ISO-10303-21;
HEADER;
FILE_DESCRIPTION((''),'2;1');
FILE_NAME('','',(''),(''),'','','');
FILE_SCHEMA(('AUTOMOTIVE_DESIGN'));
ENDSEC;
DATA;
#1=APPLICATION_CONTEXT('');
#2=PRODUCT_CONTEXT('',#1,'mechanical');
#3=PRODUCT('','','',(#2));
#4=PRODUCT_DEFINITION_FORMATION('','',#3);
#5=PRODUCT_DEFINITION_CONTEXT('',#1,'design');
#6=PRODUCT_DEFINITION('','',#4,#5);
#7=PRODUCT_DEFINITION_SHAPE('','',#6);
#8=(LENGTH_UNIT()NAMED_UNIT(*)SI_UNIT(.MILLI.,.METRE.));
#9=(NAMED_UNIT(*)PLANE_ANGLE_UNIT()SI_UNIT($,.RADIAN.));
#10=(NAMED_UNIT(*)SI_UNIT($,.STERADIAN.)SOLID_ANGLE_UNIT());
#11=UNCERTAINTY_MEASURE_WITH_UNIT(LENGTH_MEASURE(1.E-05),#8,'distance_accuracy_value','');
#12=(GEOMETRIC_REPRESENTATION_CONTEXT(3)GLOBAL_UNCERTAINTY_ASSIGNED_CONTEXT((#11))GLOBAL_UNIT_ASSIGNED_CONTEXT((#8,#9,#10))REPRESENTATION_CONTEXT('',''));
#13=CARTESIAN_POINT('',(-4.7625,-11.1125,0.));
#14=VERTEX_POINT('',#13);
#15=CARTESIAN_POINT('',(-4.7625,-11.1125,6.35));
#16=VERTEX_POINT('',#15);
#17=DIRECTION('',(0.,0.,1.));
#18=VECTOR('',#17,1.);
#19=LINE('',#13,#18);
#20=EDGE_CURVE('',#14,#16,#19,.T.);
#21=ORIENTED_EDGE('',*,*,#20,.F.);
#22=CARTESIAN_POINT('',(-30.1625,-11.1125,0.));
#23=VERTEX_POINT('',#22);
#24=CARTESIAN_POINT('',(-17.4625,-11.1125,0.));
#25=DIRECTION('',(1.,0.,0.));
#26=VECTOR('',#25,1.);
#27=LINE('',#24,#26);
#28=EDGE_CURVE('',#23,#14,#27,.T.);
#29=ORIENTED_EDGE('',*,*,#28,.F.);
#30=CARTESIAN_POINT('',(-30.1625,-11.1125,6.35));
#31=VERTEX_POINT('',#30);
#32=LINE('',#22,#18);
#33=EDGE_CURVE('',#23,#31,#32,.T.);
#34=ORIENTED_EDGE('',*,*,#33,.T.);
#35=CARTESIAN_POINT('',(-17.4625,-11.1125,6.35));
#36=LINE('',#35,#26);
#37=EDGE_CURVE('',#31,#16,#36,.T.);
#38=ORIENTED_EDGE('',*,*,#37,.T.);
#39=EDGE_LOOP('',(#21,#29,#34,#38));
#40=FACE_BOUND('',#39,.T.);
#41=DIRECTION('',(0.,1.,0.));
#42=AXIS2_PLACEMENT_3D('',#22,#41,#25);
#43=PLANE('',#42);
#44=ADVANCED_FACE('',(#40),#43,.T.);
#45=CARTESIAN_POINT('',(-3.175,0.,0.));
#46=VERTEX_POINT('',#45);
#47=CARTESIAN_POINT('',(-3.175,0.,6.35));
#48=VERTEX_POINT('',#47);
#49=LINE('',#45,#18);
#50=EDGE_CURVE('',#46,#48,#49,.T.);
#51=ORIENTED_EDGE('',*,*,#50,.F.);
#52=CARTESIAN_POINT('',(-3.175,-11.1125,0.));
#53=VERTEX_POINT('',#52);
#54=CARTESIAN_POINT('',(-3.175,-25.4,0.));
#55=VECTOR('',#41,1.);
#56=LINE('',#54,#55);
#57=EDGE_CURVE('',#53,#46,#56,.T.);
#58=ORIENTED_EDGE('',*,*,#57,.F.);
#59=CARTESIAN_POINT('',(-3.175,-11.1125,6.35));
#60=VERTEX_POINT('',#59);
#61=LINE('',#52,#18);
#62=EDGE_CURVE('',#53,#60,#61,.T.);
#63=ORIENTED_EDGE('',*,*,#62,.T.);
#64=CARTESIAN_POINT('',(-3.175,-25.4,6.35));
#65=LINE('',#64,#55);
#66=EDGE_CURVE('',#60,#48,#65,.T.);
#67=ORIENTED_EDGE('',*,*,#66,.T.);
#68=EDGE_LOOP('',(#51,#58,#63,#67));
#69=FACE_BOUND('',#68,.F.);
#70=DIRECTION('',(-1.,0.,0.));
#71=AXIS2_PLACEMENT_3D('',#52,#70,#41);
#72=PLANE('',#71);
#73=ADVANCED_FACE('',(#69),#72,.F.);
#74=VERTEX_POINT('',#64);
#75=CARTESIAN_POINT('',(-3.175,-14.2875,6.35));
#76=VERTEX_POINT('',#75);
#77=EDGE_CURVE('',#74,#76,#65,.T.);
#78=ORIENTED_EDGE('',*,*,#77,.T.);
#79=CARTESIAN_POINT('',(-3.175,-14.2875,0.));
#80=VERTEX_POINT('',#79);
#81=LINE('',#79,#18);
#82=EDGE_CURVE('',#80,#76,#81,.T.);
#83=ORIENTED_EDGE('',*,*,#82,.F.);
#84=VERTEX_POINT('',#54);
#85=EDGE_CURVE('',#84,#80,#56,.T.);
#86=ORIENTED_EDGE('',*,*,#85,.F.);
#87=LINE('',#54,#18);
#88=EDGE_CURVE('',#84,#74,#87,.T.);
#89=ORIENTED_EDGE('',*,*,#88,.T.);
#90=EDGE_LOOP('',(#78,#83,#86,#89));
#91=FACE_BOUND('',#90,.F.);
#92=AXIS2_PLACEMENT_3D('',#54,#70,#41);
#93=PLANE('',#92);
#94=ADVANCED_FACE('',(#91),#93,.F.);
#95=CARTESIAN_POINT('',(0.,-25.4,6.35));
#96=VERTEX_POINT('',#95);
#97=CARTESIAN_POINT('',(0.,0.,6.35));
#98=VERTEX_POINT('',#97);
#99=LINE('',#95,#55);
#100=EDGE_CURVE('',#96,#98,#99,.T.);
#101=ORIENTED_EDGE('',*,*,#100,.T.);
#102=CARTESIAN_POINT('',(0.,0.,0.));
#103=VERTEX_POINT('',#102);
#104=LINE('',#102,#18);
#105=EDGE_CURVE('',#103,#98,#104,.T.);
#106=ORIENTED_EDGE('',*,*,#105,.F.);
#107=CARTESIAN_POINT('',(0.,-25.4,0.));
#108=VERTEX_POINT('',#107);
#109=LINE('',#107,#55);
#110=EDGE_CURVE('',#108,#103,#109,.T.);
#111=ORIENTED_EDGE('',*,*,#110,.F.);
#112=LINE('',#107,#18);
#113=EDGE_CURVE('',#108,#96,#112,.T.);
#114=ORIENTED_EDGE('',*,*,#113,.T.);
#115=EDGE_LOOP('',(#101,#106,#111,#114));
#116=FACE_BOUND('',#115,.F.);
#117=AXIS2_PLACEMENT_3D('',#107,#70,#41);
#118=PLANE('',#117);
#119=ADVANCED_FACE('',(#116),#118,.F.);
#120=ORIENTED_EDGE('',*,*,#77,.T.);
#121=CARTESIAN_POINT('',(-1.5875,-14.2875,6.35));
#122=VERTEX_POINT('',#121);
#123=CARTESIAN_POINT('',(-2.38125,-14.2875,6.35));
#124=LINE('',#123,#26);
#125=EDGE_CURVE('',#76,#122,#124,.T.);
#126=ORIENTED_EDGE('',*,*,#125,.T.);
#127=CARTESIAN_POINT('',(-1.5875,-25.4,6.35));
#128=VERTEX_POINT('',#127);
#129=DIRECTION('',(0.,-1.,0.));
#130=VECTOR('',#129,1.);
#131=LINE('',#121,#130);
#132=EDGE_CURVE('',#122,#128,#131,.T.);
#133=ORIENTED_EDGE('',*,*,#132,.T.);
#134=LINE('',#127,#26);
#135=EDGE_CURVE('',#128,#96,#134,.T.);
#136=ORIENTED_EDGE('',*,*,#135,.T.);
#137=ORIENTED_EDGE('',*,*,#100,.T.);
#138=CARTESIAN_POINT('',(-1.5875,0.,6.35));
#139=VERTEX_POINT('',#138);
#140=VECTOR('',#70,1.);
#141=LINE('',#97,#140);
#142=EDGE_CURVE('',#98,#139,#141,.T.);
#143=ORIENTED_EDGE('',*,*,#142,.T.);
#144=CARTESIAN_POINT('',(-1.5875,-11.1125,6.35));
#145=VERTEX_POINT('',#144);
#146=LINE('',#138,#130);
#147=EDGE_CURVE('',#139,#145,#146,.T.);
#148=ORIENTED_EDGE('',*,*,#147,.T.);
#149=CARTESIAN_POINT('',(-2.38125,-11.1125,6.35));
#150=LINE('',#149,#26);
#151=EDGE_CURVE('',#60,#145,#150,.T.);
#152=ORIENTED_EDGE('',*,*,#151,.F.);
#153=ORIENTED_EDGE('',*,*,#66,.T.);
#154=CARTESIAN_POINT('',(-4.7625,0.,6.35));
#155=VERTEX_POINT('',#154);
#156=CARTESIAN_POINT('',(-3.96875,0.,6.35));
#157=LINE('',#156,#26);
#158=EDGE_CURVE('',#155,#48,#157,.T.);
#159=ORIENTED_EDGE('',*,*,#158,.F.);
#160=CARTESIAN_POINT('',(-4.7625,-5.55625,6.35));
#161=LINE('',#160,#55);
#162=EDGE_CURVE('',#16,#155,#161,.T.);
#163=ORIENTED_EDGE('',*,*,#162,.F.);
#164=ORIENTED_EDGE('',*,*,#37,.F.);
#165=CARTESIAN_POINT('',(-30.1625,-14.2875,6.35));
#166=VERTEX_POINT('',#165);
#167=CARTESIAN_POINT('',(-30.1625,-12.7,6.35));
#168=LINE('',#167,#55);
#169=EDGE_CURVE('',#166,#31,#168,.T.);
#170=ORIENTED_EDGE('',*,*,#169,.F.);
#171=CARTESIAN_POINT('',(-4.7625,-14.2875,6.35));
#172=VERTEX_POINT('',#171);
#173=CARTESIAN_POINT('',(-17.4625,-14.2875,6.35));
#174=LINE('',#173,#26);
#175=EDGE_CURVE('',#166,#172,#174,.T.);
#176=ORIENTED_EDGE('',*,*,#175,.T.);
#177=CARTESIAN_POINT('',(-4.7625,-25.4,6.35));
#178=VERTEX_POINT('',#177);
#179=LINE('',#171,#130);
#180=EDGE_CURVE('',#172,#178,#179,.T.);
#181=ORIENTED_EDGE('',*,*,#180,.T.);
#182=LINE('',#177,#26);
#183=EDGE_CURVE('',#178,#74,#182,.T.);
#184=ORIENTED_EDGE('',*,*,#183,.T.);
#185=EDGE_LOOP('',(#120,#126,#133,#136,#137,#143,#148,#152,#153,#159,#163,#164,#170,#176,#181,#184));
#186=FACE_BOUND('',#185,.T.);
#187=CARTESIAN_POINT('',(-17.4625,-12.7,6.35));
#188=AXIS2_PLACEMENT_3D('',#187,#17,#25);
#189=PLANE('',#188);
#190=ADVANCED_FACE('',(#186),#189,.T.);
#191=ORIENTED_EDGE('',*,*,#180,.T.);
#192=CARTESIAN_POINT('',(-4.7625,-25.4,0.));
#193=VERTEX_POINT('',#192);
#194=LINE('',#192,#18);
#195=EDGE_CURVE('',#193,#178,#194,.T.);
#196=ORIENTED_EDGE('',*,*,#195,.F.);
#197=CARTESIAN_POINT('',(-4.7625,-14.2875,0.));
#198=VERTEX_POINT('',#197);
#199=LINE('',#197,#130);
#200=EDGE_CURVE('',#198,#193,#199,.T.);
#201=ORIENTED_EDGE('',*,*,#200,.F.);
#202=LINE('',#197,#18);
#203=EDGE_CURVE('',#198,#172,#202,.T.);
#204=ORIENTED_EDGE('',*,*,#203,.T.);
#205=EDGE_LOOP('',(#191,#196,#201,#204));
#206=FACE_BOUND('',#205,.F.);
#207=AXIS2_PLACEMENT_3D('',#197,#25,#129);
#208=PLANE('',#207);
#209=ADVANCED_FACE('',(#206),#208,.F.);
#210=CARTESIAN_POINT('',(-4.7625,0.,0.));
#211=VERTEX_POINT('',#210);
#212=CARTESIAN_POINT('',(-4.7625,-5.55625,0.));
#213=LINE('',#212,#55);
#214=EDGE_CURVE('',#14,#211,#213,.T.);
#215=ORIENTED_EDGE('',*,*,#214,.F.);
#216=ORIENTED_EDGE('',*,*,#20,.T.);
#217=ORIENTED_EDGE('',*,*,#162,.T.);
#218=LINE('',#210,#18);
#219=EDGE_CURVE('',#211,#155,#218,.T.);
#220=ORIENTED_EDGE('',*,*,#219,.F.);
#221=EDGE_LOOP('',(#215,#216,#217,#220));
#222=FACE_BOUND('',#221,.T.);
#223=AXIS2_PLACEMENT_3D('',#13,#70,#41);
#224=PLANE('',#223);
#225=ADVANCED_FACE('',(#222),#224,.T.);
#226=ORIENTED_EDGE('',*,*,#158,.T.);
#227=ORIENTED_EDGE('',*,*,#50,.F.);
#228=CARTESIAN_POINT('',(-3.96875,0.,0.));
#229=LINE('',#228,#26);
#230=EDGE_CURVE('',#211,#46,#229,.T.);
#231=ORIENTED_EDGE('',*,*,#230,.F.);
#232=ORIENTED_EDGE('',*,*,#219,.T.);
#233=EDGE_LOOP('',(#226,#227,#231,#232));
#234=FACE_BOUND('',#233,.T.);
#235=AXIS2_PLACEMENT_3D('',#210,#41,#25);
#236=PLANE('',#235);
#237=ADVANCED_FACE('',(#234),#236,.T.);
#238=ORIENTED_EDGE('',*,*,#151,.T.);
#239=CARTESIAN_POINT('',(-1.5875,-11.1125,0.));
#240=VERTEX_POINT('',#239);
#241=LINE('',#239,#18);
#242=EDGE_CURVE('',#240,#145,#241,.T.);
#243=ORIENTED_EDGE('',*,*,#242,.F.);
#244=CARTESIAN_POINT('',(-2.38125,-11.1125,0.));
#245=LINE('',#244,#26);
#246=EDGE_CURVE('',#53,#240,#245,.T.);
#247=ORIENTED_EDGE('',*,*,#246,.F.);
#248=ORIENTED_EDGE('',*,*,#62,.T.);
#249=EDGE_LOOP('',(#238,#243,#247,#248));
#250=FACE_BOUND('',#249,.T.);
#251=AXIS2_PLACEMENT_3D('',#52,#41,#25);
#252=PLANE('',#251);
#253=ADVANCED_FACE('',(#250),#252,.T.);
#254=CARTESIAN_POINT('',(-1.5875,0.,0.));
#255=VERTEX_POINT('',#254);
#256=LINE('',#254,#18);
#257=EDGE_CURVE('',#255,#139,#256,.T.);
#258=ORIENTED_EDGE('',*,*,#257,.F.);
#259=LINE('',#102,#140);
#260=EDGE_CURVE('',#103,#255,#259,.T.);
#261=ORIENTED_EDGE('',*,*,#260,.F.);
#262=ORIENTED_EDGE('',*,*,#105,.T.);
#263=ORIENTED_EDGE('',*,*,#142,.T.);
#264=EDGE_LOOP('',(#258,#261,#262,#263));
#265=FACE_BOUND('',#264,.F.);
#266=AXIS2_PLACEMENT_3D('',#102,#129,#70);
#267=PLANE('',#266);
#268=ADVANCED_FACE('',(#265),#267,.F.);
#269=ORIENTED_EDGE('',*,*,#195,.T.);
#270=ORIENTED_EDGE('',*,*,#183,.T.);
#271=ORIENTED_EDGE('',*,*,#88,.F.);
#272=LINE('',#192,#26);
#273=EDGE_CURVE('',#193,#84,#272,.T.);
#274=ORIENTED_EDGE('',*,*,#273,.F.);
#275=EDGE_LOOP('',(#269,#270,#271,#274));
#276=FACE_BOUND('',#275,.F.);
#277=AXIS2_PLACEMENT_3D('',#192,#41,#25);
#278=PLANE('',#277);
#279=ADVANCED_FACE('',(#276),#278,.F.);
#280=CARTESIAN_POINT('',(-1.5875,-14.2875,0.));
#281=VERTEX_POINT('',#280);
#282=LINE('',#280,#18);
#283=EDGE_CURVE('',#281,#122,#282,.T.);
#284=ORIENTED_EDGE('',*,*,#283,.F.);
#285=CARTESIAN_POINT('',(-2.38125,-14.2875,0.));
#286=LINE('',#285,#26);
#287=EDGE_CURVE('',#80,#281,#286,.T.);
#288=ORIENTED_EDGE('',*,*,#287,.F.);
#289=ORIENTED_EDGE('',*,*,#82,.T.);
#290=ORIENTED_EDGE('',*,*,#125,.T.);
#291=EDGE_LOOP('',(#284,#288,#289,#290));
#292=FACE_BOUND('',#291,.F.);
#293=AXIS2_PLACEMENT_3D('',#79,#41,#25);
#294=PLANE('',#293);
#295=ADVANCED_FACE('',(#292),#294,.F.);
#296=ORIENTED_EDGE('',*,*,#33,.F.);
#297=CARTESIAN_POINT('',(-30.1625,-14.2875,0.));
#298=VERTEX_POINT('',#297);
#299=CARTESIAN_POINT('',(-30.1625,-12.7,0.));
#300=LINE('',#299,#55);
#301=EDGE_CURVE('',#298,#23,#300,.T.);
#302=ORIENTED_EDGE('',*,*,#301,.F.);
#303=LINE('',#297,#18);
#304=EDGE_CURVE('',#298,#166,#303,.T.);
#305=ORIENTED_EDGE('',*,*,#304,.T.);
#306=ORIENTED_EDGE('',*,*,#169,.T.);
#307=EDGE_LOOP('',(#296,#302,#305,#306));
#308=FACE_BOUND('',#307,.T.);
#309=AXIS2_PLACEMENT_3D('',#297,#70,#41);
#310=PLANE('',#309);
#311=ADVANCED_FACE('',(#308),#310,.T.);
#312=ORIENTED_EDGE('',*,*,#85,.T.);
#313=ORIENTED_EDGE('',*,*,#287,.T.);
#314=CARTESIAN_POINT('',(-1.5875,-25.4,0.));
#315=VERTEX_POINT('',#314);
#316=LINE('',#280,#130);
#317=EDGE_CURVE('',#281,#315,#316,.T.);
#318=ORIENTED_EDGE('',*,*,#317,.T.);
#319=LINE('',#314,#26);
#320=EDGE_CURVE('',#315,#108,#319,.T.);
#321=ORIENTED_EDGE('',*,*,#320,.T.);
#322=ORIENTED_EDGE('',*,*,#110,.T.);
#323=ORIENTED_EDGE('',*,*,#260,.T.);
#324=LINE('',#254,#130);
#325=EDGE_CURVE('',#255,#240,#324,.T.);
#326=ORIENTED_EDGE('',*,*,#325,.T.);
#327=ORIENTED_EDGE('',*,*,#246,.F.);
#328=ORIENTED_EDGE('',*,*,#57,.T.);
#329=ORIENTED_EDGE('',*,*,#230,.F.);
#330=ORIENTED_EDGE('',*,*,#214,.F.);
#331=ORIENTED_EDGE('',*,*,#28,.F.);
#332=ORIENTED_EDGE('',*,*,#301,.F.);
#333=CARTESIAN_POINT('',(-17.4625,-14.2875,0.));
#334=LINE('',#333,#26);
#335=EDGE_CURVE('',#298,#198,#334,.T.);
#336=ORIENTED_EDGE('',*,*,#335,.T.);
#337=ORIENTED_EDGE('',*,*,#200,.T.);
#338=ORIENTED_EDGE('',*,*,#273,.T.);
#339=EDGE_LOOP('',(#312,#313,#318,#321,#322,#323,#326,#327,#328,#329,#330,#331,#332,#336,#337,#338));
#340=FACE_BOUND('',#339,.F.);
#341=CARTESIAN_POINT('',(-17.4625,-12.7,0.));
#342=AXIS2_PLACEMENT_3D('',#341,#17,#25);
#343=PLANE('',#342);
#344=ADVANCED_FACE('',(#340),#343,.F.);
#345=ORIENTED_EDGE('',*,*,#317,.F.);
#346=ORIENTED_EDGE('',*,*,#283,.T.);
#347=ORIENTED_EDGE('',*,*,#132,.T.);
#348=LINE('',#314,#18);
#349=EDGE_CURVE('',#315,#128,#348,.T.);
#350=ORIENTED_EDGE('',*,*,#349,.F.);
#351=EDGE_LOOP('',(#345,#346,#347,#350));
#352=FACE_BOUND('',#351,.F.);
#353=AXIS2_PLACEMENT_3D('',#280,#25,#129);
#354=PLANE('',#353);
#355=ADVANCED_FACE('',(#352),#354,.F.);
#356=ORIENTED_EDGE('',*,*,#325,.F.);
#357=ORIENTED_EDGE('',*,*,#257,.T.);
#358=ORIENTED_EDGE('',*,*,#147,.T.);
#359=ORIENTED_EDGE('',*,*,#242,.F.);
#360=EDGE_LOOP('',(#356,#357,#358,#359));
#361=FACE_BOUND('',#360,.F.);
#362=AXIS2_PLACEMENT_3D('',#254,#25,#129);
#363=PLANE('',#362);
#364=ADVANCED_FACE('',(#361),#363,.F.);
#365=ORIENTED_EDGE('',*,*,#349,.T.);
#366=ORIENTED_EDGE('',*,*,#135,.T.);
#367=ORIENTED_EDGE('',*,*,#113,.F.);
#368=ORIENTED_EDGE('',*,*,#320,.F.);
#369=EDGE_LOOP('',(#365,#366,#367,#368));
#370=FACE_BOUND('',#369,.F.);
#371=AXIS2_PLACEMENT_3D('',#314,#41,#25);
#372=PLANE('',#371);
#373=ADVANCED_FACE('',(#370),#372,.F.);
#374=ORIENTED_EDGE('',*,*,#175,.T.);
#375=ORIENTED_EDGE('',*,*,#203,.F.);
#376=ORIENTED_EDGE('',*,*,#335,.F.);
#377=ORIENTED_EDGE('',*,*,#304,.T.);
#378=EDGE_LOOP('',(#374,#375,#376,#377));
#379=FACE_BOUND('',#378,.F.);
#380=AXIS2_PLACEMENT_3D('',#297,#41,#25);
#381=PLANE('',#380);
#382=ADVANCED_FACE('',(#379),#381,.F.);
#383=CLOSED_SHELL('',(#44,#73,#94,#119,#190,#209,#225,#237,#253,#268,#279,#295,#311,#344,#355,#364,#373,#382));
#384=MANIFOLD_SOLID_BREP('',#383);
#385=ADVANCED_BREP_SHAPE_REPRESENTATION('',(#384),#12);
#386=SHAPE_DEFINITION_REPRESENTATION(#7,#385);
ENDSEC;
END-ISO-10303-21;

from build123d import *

# Parameters (mm, degrees)
F0_W     = 25.4
F0_H     = 3.175
F0_W_2   = 1.5875
F0_H_2   = 11.1125
F1_DEPTH = 6.35


with BuildPart() as f1:
    # F0 (on Top) → F1 (new body)
    with BuildSketch(Plane.XY):
        with Locations((-17.4625, -12.7)):
            Rectangle(F0_W, F0_H)
        with Locations((-3.96875, -5.55625)):
            Rectangle(F0_W_2, F0_H_2)
        Polygon((-3.175, -14.2875), (-3.175, -11.1125), (-4.7625, -11.1125), (-4.7625, -14.2875), (-4.7625, -25.4), (-3.175, -25.4), align=None)
        with Locations((-2.38125, -12.7)):
            Rectangle(F0_W_2, F0_H)
        Polygon((0, -25.4), (0, 0), (-1.5875, 0), (-1.5875, -11.1125), (-1.5875, -14.2875), (-1.5875, -25.4), align=None)
    extrude(amount=F1_DEPTH)


solid = f1.part
